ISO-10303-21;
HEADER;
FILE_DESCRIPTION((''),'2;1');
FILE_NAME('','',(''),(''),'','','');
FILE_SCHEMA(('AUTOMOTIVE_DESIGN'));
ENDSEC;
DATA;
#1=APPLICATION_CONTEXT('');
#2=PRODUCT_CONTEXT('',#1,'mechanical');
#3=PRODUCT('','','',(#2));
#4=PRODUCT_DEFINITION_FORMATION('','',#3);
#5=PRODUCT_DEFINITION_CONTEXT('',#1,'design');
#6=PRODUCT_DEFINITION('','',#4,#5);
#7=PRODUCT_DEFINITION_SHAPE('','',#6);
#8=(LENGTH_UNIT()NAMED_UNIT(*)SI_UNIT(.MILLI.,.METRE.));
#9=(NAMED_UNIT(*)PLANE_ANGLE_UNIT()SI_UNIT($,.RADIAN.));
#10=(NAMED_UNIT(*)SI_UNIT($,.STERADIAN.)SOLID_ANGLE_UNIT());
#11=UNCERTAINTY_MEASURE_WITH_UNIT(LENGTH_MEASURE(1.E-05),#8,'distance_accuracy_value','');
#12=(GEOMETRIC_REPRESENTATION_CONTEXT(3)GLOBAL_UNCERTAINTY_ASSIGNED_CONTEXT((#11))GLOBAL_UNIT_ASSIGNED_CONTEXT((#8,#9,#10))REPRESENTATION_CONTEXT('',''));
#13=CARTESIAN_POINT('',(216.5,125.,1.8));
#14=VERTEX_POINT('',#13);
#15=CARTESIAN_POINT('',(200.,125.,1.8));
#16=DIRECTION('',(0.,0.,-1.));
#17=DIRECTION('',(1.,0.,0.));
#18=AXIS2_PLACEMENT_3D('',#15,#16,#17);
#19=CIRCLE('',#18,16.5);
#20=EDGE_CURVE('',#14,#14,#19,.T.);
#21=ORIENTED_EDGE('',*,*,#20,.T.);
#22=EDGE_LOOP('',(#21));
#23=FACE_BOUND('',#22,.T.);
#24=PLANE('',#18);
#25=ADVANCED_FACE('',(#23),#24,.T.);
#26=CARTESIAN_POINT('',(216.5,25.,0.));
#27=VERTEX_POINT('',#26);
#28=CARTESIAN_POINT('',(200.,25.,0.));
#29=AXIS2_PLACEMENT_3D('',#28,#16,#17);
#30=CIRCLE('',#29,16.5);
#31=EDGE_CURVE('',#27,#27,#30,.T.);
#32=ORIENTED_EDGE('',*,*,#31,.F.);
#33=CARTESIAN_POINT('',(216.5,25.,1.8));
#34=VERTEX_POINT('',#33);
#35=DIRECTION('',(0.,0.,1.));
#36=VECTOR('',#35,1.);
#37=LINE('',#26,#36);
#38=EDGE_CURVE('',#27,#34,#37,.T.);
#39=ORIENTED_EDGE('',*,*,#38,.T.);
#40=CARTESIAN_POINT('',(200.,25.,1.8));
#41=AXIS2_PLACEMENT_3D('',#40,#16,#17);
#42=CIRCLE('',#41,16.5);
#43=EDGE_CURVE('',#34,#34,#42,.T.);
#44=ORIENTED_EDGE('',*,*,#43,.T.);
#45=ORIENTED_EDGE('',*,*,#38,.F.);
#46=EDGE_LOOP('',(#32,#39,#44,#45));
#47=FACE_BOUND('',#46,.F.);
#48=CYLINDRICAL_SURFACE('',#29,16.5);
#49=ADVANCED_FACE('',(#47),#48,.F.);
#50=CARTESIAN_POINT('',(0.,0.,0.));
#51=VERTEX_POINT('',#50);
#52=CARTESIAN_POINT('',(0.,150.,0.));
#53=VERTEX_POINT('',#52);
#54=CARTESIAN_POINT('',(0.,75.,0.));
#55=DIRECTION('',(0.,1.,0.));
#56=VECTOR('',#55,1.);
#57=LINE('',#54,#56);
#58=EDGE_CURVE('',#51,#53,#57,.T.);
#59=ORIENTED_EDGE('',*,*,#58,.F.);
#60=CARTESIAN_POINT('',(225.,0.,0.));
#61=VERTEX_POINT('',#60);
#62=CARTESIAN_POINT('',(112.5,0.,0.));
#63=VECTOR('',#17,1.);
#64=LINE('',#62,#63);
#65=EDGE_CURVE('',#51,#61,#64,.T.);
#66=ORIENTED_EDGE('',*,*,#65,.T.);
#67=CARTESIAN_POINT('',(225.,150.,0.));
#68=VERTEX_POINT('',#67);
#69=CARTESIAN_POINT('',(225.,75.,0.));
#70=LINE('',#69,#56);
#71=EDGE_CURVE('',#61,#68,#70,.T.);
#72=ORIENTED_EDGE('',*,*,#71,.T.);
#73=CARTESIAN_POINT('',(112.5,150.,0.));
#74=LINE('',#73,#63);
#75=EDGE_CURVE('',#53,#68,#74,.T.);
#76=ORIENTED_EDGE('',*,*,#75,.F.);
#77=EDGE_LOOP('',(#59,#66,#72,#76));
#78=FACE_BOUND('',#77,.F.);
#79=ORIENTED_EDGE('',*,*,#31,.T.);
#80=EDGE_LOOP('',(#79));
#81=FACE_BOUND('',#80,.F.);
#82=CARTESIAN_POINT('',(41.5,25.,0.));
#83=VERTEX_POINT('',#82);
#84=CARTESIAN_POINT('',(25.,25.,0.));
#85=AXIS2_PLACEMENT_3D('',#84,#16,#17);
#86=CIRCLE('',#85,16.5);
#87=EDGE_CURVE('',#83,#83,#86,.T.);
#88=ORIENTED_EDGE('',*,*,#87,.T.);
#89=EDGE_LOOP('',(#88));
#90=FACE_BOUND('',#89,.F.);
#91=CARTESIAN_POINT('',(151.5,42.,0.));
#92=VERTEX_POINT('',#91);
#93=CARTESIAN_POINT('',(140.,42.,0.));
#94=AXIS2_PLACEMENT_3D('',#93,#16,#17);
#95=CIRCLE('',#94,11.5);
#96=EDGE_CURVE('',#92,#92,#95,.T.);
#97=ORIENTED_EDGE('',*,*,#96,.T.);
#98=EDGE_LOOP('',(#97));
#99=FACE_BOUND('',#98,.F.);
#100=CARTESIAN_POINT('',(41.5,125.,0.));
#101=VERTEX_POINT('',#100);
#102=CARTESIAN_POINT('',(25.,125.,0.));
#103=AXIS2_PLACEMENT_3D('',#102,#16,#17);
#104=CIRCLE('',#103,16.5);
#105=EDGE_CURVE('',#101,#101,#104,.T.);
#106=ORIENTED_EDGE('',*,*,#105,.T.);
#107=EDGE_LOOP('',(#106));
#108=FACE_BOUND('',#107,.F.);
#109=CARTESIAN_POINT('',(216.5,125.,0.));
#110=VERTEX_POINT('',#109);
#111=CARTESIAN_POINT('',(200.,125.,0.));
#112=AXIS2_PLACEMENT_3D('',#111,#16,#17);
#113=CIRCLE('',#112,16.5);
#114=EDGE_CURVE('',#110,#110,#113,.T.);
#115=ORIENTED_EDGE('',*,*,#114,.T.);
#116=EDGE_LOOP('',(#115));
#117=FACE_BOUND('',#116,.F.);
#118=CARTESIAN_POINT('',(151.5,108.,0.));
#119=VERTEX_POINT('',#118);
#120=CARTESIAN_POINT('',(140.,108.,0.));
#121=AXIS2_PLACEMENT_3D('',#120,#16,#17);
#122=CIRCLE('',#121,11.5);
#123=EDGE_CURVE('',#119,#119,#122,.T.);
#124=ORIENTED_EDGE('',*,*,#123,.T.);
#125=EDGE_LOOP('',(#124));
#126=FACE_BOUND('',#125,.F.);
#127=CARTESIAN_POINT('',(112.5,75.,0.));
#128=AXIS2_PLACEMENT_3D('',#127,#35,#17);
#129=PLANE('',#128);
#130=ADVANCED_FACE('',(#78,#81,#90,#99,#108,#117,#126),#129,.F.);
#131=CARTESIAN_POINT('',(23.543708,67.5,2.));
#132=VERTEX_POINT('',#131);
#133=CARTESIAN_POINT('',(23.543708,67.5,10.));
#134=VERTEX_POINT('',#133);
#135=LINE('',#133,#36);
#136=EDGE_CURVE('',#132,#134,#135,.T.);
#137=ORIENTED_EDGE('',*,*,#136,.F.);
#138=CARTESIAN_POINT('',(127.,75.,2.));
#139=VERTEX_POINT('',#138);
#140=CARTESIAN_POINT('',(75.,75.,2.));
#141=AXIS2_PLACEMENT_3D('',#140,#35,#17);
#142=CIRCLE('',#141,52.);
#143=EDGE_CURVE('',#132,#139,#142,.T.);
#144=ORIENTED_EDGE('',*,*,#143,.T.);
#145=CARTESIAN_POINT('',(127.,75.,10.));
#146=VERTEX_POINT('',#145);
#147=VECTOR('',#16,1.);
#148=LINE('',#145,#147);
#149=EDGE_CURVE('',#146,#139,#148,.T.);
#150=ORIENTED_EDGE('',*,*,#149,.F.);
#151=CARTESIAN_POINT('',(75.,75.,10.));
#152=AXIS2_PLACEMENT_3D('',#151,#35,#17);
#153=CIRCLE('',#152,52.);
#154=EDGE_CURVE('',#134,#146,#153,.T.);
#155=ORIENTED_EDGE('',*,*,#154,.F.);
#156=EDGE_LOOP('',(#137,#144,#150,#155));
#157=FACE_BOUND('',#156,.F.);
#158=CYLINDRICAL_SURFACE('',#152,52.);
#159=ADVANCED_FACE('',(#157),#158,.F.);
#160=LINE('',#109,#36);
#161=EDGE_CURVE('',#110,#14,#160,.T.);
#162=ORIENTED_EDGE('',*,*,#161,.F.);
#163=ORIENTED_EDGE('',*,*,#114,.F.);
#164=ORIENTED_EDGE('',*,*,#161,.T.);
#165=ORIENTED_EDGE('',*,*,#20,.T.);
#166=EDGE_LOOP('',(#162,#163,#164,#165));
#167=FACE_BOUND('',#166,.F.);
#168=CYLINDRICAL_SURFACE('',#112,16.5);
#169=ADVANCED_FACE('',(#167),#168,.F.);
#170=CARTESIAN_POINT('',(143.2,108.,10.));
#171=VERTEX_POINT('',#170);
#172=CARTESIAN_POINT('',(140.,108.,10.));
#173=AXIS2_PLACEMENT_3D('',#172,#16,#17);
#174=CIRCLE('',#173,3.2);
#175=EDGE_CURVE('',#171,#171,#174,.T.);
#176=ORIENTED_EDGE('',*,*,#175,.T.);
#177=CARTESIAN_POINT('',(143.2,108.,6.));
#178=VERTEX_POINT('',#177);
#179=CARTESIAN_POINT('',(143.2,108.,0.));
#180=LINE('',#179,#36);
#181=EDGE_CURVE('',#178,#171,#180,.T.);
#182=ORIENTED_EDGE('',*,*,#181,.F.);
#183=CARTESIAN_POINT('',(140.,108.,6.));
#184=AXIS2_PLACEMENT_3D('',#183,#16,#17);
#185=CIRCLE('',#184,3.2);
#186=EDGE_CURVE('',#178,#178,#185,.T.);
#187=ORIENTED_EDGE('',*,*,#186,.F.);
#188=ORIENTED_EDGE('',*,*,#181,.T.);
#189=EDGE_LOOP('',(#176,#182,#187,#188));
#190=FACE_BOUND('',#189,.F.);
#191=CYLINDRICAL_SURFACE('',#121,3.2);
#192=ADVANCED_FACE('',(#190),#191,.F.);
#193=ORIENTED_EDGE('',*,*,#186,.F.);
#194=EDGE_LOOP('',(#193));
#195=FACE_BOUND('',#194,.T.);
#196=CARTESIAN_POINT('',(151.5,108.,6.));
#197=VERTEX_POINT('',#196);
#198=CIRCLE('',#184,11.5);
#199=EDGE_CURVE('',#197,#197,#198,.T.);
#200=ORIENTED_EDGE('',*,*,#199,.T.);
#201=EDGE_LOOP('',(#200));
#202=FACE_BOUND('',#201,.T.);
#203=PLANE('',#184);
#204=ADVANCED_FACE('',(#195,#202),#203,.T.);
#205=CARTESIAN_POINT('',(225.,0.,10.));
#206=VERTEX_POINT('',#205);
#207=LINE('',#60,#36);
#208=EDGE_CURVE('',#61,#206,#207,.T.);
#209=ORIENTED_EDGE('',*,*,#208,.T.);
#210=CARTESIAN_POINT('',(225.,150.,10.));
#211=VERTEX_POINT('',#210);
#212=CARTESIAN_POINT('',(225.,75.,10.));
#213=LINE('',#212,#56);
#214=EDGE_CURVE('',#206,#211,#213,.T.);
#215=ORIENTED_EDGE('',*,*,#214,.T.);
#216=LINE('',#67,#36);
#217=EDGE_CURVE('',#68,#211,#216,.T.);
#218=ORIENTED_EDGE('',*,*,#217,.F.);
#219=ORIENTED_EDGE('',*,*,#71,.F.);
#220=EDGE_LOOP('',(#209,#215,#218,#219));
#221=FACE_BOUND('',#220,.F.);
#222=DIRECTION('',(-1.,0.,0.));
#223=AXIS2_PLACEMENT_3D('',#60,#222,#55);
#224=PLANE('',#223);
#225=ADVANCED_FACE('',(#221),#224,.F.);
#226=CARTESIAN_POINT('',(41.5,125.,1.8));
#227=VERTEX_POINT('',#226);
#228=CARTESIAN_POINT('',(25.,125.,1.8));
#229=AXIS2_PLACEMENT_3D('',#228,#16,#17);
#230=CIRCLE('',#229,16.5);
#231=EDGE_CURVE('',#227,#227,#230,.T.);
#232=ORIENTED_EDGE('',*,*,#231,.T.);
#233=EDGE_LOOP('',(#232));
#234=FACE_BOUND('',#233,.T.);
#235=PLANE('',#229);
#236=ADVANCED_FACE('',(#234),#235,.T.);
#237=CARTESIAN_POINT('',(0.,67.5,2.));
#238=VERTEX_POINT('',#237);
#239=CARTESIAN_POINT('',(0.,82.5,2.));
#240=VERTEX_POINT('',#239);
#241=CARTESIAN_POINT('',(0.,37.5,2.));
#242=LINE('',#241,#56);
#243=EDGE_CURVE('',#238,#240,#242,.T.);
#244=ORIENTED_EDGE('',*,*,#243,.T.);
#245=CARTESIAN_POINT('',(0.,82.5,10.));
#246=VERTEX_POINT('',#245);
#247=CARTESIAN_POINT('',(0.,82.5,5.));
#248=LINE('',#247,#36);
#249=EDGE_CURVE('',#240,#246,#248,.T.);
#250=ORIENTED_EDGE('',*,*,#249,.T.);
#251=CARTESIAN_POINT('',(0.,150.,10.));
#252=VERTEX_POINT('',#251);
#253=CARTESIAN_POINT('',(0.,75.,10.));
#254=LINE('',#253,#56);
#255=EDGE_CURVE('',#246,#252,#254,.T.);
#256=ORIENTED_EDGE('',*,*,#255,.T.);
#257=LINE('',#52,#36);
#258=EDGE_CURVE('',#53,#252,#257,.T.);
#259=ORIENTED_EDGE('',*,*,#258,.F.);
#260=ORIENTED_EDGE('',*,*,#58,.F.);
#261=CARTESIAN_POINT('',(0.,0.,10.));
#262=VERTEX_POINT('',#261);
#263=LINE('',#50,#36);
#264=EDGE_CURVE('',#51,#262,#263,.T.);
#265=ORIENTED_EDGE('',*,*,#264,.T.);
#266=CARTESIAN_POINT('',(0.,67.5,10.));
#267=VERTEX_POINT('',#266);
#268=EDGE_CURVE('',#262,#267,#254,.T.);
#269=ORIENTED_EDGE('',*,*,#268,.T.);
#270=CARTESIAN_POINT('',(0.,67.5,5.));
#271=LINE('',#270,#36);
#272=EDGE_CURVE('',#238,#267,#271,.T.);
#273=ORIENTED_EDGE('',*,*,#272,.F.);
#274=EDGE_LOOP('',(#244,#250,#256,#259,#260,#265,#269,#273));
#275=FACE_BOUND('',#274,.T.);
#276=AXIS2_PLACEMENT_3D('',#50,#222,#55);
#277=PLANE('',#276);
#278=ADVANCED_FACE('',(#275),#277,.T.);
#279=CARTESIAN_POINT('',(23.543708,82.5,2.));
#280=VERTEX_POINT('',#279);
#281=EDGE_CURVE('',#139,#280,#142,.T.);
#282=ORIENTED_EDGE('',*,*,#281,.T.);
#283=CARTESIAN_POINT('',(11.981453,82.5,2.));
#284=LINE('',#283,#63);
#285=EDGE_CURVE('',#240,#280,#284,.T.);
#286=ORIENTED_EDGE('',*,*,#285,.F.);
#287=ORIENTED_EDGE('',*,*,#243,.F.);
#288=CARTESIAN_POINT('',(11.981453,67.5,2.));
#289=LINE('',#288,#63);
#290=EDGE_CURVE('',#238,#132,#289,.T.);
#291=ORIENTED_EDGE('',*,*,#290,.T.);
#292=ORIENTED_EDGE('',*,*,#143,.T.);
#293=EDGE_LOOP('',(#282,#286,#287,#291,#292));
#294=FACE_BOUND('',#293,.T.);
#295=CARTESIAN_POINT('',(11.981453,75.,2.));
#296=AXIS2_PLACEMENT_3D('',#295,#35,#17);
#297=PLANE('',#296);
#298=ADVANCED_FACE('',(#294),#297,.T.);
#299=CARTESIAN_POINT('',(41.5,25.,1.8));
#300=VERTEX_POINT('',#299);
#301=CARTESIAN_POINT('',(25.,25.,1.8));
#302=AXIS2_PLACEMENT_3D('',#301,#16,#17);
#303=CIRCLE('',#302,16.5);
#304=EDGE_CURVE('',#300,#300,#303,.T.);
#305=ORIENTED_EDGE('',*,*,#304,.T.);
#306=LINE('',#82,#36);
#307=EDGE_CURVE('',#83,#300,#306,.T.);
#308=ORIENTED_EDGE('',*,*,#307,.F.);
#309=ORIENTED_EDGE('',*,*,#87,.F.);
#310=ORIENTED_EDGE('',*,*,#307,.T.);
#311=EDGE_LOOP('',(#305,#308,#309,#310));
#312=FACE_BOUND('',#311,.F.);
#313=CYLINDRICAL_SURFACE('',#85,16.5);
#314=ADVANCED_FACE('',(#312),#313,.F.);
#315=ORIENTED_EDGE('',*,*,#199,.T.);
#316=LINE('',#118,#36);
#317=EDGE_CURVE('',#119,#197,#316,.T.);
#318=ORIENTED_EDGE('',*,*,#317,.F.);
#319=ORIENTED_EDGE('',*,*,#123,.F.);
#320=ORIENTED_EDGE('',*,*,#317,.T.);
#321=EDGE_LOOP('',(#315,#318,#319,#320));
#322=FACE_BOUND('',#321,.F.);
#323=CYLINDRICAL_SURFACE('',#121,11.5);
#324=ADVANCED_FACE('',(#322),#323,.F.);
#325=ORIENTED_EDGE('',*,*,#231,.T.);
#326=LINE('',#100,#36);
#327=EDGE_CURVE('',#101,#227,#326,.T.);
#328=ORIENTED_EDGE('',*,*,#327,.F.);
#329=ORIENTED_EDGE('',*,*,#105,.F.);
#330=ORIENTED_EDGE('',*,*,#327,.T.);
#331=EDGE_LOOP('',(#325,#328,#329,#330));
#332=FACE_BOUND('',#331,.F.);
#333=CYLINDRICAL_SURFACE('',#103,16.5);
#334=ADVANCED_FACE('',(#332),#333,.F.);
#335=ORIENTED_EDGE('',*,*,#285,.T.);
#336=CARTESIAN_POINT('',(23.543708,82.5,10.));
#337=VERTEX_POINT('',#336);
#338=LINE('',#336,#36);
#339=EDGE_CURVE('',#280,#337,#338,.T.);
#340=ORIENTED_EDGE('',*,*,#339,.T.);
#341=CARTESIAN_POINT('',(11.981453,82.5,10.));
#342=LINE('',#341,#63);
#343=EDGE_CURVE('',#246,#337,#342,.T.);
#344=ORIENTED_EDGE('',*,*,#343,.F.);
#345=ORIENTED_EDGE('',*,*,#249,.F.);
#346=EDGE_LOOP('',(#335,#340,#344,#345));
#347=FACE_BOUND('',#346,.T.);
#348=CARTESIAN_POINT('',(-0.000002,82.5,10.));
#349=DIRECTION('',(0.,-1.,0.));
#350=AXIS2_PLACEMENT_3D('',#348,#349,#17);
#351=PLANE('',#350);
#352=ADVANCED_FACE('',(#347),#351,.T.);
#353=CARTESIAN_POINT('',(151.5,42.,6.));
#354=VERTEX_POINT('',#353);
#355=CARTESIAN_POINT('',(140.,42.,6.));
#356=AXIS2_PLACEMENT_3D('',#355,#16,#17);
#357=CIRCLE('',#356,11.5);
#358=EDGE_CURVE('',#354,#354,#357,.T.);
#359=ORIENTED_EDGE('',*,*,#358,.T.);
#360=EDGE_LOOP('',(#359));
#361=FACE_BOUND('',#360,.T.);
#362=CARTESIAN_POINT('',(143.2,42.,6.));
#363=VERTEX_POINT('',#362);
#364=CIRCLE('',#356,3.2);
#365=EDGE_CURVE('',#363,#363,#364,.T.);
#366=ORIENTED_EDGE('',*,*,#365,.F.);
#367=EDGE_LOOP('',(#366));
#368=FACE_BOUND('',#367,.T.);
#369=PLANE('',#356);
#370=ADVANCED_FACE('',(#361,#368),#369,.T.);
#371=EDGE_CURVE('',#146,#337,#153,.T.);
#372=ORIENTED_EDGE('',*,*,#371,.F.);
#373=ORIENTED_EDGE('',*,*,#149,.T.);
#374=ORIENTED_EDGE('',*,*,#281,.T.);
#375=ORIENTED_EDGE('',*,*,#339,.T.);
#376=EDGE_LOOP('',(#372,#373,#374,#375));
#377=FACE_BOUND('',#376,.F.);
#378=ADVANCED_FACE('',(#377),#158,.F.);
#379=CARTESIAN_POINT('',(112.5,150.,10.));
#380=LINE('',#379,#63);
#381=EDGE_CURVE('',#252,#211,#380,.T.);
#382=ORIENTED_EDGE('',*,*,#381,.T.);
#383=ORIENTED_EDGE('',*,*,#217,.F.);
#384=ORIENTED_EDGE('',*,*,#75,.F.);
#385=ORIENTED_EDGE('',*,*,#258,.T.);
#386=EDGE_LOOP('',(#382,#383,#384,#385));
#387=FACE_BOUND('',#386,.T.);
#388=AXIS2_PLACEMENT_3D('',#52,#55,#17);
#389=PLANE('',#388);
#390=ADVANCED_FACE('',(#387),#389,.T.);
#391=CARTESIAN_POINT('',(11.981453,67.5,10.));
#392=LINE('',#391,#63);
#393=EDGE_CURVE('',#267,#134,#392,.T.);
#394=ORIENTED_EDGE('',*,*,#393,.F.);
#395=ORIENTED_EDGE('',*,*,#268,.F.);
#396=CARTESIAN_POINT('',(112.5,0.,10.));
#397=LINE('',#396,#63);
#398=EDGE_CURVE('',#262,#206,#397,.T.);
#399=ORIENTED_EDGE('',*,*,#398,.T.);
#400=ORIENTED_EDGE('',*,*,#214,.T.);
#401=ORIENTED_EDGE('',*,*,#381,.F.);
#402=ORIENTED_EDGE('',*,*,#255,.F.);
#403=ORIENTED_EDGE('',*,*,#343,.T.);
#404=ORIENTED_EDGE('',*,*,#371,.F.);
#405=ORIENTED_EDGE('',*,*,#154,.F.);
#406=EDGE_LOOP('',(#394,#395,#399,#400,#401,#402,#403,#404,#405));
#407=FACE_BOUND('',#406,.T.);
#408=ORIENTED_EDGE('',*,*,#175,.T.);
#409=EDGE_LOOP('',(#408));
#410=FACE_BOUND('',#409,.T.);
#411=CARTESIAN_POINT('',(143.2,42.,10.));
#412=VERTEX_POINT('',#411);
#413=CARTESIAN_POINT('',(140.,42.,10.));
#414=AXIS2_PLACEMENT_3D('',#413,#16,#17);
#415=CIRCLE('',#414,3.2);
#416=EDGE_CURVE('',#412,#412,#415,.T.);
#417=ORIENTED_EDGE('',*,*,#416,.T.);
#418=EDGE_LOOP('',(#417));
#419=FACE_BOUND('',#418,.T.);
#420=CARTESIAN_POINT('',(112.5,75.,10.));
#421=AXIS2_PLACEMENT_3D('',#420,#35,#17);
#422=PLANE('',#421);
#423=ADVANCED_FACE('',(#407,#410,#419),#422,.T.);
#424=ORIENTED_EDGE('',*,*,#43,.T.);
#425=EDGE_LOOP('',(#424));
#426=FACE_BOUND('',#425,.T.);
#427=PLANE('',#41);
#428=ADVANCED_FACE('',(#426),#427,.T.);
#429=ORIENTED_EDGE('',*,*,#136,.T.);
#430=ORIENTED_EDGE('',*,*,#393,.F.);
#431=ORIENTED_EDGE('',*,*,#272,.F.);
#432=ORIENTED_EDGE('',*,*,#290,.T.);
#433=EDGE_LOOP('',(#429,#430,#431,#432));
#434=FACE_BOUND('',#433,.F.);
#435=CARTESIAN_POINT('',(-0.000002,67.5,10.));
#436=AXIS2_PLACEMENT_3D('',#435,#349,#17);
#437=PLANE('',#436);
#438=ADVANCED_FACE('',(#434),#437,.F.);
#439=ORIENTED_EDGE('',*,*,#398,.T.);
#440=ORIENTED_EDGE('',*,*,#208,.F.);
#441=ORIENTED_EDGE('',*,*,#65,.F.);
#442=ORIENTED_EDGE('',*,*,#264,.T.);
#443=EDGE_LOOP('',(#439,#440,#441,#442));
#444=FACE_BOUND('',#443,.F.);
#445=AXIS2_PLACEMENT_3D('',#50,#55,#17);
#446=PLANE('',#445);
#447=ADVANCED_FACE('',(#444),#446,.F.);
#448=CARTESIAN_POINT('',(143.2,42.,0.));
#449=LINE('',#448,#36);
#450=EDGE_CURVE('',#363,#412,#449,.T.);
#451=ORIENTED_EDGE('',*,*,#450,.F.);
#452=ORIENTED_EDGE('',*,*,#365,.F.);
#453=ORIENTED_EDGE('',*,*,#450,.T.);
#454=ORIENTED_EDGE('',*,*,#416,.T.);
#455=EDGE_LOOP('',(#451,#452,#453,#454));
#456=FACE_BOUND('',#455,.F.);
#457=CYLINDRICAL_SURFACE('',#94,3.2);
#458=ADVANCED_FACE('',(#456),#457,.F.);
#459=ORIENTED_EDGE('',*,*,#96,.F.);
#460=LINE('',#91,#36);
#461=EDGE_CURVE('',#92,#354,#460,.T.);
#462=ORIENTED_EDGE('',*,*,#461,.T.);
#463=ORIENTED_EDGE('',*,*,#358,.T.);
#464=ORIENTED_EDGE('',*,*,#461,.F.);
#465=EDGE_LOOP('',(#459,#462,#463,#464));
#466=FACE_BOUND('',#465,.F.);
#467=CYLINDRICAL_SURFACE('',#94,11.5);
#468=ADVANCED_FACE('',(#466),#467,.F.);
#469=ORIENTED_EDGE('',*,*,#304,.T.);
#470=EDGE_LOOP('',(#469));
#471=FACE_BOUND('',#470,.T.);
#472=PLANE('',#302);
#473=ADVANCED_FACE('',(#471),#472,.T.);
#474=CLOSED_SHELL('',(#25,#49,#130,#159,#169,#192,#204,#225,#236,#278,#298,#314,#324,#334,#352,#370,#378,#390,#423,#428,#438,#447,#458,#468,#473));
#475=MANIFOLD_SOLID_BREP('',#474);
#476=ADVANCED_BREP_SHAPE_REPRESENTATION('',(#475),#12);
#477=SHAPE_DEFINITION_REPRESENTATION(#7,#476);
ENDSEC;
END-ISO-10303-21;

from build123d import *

# Parameters (mm, degrees)
SKETCH_W        = 225
SKETCH_H        = 150
PAD_DEPTH       = 10
SKETCH005_R     = 11.5
POCKET_DEPTH    = 6
COPYSKETCH006_R = 3.2
POCKET001_DEPTH = 10
SKETCH006_R     = 16.5
POCKET002_DEPTH = 1.8
SKETCH007_R     = 52
POCKET003_DEPTH = 8
SKETCH008_W     = 23.96291
SKETCH008_H     = 15
POCKET004_DEPTH = 8


with BuildPart() as part:
    # Sketch → Pad (new body)
    with BuildSketch(Plane.XY):
        with Locations((112.5, 75)):
            Rectangle(SKETCH_W, SKETCH_H)
    extrude(amount=PAD_DEPTH)

    # Sketch005 → Pocket (cut)
    with BuildSketch(Plane(origin=(0, 0, 0), x_dir=(1, 0, 0), z_dir=(0, 0, -1))):
        with Locations((140, -42)):
            Circle(SKETCH005_R)
        with Locations((140, -108)):
            Circle(SKETCH005_R)
    extrude(amount=-POCKET_DEPTH, mode=Mode.SUBTRACT)

    # CopySketch006 → Pocket001 (cut)
    with BuildSketch(Plane(origin=(0, 0, 0), x_dir=(1, 0, 0), z_dir=(0, 0, -1))):
        with Locations((140, -42)):
            Circle(COPYSKETCH006_R)
        with Locations((140, -108)):
            Circle(COPYSKETCH006_R)
    extrude(amount=-POCKET001_DEPTH, mode=Mode.SUBTRACT)

    # Sketch006 (on Face4 of Pocket001) → Pocket002 (cut)
    with BuildSketch(Plane(origin=(0, 0, 0), x_dir=(1, 0, 0), z_dir=(0, 0, -1))):
        with Locations((25, -25)):
            Circle(SKETCH006_R)
        with Locations((25, -125)):
            Circle(SKETCH006_R)
        with Locations((200, -25)):
            Circle(SKETCH006_R)
        with Locations((200, -125)):
            Circle(SKETCH006_R)
    extrude(amount=-POCKET002_DEPTH, mode=Mode.SUBTRACT)

    # Sketch007 (on Face5 of Pocket002) → Pocket003 (cut)
    with BuildSketch(Plane.XY.offset(10)):
        with Locations((75, 75)):
            Circle(SKETCH007_R)
    extrude(amount=-POCKET003_DEPTH, mode=Mode.SUBTRACT)

    # Sketch008 (on Face5 of Pocket003) → Pocket004 (cut)
    with BuildSketch(Plane.XY.offset(10)):
        with Locations((11.981453, 75)):
            Rectangle(SKETCH008_W, SKETCH008_H)
    extrude(amount=-POCKET004_DEPTH, mode=Mode.SUBTRACT)


solid = part.part
